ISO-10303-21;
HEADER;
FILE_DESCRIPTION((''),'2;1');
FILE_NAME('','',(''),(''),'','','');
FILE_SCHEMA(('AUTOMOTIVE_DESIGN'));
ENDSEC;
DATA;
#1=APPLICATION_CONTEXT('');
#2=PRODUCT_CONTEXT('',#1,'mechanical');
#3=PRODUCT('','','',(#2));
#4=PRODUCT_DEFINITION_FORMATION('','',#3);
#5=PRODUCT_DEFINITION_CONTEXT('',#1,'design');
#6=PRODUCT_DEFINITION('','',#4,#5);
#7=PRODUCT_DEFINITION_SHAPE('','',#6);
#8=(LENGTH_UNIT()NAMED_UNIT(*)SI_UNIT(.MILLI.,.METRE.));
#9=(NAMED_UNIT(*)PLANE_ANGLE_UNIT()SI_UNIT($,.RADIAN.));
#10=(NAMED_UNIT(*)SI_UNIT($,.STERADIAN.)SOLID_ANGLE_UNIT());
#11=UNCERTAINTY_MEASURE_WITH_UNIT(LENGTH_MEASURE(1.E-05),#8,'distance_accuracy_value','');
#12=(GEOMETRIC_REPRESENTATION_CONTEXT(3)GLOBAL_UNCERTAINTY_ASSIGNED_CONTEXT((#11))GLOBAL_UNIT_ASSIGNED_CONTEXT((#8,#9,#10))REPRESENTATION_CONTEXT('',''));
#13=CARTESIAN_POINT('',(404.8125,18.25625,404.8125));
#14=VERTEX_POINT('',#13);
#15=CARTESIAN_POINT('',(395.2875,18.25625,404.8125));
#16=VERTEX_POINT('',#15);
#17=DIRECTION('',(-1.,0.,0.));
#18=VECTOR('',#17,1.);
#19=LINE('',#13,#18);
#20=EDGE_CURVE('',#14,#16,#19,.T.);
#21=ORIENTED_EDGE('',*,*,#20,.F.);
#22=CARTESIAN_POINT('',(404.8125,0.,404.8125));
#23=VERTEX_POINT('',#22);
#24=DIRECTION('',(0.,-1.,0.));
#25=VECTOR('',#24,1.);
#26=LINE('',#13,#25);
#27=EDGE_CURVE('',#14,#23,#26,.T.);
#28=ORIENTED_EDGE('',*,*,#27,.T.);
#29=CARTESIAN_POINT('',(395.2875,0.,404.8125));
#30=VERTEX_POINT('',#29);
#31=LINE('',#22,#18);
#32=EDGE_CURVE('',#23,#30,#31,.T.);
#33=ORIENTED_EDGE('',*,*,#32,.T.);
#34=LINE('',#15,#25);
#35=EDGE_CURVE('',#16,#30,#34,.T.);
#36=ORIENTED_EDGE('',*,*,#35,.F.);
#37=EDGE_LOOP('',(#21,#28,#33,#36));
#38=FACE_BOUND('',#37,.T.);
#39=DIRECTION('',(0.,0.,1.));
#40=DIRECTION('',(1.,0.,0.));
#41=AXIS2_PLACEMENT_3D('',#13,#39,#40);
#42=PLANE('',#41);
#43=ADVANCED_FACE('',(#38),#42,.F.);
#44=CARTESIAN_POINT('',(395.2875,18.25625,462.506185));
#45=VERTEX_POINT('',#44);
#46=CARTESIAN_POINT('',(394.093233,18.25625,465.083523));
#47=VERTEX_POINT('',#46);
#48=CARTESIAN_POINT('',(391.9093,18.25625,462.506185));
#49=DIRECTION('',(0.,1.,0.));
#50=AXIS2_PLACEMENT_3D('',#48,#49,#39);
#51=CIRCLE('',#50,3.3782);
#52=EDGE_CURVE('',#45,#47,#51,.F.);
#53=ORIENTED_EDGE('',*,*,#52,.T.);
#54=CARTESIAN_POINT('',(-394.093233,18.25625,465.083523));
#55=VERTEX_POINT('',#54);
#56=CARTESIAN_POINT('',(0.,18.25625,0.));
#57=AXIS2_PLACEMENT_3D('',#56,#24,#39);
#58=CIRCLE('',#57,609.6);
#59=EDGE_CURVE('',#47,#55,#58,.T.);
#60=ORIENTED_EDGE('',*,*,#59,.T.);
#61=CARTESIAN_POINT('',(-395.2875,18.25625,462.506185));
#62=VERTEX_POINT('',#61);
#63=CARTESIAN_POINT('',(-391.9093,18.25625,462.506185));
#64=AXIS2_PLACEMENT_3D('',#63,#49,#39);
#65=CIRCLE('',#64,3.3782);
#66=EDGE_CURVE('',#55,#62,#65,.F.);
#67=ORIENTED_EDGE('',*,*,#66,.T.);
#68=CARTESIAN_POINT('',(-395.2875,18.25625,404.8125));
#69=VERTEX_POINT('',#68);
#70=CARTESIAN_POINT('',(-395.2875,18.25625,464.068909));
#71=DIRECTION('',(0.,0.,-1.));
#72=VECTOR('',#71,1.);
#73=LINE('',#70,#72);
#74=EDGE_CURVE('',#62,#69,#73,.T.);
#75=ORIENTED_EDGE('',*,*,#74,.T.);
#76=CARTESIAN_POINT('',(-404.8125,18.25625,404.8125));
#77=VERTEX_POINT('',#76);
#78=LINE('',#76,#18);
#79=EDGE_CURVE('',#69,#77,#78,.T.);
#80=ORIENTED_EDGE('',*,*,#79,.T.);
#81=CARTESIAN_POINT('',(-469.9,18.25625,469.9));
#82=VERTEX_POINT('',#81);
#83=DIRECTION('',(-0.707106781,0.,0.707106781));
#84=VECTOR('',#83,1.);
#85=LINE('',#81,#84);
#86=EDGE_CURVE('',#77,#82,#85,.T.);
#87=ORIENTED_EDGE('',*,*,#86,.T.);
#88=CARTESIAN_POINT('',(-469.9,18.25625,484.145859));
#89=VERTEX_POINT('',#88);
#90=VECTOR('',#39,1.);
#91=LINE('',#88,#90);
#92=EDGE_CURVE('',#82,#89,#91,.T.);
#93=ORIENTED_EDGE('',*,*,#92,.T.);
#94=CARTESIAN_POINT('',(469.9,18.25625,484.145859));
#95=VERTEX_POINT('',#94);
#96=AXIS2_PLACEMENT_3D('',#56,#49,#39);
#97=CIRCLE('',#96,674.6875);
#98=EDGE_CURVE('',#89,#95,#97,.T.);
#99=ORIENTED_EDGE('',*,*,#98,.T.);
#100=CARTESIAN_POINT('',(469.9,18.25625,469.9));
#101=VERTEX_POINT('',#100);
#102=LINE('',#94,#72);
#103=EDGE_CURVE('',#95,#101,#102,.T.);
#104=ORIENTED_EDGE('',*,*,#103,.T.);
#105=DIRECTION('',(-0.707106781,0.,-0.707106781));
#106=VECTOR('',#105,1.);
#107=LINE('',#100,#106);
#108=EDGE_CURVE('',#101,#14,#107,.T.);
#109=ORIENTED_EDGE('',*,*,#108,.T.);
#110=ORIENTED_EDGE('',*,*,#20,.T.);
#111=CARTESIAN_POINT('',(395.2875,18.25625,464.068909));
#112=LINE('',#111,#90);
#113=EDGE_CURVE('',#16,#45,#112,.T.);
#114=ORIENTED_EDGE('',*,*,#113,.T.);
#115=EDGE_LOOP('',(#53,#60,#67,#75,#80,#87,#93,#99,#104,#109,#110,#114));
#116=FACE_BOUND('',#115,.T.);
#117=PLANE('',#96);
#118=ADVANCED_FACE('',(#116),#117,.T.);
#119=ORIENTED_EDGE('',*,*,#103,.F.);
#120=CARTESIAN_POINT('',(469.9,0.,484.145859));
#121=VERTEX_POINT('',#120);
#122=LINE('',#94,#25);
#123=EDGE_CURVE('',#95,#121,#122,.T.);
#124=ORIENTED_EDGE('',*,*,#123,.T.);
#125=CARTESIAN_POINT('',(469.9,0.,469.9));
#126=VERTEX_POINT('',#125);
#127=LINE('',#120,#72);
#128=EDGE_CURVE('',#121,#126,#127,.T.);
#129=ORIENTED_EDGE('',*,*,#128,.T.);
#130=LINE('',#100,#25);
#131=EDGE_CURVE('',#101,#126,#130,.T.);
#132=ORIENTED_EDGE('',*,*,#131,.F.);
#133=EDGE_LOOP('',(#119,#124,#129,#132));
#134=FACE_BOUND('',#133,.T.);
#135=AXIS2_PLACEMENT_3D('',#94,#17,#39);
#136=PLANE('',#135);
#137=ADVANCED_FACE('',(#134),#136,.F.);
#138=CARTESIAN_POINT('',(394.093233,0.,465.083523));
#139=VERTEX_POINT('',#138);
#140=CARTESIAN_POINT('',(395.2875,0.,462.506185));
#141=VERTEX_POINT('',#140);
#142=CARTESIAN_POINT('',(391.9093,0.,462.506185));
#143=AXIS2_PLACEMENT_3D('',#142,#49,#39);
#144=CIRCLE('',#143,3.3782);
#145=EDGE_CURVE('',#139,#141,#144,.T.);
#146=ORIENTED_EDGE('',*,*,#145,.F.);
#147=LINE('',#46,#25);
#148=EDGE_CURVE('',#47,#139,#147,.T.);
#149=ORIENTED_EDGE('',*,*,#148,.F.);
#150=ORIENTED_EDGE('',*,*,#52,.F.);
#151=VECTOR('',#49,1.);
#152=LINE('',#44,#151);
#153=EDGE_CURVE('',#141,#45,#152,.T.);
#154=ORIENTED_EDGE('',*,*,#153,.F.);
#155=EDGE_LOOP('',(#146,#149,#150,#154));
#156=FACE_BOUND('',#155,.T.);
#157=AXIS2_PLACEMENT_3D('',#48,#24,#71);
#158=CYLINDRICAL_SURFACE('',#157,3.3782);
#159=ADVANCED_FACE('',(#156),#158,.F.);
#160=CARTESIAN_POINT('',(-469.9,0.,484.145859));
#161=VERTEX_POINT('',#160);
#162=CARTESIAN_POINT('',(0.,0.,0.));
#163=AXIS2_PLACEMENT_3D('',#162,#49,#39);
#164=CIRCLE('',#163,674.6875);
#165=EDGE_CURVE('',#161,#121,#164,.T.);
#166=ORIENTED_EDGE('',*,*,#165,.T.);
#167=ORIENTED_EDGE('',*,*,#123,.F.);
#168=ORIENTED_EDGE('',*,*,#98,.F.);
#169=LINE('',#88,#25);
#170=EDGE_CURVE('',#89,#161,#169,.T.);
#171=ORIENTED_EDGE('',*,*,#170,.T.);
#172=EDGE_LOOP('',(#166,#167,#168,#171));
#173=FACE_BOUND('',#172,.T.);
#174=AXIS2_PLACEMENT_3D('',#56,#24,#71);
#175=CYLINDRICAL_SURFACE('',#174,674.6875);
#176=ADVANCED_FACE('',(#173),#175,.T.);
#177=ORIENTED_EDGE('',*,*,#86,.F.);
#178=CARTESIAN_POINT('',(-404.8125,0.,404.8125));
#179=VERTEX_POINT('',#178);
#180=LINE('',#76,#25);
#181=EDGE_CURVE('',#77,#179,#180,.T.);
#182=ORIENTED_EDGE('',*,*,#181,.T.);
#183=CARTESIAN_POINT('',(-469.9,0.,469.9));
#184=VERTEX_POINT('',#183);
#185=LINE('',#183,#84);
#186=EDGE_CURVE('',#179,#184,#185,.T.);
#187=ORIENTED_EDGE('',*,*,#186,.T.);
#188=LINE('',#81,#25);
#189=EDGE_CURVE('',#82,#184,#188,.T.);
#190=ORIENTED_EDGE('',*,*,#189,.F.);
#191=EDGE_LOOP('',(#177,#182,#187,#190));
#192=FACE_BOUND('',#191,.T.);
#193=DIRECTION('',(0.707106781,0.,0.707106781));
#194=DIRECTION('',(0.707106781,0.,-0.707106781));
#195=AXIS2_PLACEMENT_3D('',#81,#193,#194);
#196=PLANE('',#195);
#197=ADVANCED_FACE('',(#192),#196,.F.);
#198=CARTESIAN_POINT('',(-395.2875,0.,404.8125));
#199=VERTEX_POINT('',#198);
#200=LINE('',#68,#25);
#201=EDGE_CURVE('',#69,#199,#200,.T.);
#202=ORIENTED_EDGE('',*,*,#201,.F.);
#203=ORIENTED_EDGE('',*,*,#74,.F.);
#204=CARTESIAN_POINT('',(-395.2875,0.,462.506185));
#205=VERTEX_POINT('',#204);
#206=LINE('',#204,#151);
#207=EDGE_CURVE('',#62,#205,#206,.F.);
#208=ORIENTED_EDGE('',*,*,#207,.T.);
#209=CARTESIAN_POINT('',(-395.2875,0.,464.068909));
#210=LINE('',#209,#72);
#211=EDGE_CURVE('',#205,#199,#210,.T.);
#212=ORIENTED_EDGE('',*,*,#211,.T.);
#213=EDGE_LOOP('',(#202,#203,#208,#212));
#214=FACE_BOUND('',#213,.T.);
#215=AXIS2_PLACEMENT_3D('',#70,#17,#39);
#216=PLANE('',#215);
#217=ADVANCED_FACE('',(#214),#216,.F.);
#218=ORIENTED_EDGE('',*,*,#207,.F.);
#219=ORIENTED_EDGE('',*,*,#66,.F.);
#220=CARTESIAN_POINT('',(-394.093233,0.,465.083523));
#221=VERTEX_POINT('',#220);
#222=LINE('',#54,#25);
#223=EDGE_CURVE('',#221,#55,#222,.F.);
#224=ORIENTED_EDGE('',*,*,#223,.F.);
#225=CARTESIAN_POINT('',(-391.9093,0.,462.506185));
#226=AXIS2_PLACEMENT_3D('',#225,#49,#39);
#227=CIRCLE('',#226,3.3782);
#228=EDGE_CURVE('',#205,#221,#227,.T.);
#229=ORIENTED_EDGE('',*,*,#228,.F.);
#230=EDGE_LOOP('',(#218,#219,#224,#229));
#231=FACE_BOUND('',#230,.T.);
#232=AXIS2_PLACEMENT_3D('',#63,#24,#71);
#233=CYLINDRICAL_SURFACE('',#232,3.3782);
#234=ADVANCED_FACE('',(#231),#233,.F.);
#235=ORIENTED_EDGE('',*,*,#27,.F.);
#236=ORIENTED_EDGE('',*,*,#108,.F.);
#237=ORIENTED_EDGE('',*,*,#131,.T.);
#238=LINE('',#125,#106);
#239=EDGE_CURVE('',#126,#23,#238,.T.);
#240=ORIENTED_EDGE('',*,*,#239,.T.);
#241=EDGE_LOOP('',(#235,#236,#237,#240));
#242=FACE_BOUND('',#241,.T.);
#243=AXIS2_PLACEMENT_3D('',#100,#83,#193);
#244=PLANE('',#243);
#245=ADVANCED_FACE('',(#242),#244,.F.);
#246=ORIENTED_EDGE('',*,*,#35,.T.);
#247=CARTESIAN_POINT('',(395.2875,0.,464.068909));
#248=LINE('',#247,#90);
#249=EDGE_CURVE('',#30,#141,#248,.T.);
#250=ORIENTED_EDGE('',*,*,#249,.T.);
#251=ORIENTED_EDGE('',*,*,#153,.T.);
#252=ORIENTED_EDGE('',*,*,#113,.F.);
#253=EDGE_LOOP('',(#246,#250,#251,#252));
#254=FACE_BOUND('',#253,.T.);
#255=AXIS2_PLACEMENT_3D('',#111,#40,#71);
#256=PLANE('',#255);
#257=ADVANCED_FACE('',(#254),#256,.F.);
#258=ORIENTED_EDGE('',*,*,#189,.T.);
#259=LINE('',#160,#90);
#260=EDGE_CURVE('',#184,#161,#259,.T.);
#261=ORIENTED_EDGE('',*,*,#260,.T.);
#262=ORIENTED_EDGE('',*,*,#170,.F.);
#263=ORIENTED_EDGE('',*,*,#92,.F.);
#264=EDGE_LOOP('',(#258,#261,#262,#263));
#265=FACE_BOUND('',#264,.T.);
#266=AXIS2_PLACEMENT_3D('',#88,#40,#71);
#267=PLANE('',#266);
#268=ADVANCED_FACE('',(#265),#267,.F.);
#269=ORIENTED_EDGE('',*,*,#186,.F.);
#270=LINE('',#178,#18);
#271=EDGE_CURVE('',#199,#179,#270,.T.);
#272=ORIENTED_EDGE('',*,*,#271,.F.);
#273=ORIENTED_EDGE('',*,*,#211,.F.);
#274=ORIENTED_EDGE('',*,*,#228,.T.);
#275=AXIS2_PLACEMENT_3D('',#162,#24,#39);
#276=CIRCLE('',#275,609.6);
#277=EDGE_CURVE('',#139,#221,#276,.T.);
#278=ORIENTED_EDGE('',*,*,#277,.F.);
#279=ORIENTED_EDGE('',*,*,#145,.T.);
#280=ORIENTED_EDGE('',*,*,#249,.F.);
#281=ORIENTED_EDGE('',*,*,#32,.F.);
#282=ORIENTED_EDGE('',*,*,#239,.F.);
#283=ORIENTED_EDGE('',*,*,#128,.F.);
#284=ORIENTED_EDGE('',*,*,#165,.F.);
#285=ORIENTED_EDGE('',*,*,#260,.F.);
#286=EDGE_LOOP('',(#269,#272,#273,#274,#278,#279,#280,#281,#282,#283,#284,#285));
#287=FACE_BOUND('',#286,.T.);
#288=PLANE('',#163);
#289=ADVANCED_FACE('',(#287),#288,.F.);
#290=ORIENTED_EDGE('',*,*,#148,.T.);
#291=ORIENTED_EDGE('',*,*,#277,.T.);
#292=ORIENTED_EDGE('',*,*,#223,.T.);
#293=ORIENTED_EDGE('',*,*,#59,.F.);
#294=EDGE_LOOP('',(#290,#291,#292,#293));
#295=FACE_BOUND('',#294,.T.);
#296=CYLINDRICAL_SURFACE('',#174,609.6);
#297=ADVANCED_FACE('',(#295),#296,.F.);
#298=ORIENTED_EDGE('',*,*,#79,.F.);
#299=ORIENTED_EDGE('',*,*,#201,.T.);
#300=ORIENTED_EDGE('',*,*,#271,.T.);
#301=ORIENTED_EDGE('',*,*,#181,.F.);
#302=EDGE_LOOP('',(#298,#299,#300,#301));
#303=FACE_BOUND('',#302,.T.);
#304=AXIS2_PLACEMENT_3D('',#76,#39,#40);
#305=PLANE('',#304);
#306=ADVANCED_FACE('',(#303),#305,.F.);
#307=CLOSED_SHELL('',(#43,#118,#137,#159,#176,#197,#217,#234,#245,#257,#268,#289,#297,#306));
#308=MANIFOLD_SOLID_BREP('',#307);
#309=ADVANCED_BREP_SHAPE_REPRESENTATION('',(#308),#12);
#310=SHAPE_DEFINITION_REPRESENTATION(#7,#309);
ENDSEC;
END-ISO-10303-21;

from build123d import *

# Parameters (mm, degrees)
BOSS_EXTRUDE1_DEPTH = 18.25625
FILLET1_R           = 3.3782


with BuildPart() as part:
    # Sketch3 → Boss-Extrude1 (new body)
    with BuildSketch(Plane(origin=(0, 0, 0), x_dir=(1, 0, 0), z_dir=(0, 1, 0))):
        with BuildLine():
            Line((469.9, -484.145858865), (469.9, -469.9))
            Line((469.9, -469.9), (404.8125, -404.8125))
            Line((404.8125, -404.8125), (395.2875, -404.8125))
            Line((395.2875, -404.8125), (395.2875, -464.068909047))
            ThreePointArc((395.2875, -464.068909047), (0, -609.6), (-395.2875, -464.068909047))
            Line((-395.2875, -464.068909047), (-395.2875, -404.8125))
            Line((-395.2875, -404.8125), (-404.8125, -404.8125))
            Line((-404.8125, -404.8125), (-469.9, -469.9))
            Line((-469.9, -469.9), (-469.9, -484.145858865))
            ThreePointArc((-469.9, -484.145858865), (0, -674.6875), (469.9, -484.145858865))
        make_face()
    extrude(amount=BOSS_EXTRUDE1_DEPTH)

    # Fillet1
    fillet1_edges = [part.edges().sort_by_distance(p)[0] for p in [
        (-395.2875, 9.128125, 464.068909047),
        (395.2875, 9.128125, 464.068909047),
    ]]
    fillet(fillet1_edges, radius=FILLET1_R)


solid = part.part
